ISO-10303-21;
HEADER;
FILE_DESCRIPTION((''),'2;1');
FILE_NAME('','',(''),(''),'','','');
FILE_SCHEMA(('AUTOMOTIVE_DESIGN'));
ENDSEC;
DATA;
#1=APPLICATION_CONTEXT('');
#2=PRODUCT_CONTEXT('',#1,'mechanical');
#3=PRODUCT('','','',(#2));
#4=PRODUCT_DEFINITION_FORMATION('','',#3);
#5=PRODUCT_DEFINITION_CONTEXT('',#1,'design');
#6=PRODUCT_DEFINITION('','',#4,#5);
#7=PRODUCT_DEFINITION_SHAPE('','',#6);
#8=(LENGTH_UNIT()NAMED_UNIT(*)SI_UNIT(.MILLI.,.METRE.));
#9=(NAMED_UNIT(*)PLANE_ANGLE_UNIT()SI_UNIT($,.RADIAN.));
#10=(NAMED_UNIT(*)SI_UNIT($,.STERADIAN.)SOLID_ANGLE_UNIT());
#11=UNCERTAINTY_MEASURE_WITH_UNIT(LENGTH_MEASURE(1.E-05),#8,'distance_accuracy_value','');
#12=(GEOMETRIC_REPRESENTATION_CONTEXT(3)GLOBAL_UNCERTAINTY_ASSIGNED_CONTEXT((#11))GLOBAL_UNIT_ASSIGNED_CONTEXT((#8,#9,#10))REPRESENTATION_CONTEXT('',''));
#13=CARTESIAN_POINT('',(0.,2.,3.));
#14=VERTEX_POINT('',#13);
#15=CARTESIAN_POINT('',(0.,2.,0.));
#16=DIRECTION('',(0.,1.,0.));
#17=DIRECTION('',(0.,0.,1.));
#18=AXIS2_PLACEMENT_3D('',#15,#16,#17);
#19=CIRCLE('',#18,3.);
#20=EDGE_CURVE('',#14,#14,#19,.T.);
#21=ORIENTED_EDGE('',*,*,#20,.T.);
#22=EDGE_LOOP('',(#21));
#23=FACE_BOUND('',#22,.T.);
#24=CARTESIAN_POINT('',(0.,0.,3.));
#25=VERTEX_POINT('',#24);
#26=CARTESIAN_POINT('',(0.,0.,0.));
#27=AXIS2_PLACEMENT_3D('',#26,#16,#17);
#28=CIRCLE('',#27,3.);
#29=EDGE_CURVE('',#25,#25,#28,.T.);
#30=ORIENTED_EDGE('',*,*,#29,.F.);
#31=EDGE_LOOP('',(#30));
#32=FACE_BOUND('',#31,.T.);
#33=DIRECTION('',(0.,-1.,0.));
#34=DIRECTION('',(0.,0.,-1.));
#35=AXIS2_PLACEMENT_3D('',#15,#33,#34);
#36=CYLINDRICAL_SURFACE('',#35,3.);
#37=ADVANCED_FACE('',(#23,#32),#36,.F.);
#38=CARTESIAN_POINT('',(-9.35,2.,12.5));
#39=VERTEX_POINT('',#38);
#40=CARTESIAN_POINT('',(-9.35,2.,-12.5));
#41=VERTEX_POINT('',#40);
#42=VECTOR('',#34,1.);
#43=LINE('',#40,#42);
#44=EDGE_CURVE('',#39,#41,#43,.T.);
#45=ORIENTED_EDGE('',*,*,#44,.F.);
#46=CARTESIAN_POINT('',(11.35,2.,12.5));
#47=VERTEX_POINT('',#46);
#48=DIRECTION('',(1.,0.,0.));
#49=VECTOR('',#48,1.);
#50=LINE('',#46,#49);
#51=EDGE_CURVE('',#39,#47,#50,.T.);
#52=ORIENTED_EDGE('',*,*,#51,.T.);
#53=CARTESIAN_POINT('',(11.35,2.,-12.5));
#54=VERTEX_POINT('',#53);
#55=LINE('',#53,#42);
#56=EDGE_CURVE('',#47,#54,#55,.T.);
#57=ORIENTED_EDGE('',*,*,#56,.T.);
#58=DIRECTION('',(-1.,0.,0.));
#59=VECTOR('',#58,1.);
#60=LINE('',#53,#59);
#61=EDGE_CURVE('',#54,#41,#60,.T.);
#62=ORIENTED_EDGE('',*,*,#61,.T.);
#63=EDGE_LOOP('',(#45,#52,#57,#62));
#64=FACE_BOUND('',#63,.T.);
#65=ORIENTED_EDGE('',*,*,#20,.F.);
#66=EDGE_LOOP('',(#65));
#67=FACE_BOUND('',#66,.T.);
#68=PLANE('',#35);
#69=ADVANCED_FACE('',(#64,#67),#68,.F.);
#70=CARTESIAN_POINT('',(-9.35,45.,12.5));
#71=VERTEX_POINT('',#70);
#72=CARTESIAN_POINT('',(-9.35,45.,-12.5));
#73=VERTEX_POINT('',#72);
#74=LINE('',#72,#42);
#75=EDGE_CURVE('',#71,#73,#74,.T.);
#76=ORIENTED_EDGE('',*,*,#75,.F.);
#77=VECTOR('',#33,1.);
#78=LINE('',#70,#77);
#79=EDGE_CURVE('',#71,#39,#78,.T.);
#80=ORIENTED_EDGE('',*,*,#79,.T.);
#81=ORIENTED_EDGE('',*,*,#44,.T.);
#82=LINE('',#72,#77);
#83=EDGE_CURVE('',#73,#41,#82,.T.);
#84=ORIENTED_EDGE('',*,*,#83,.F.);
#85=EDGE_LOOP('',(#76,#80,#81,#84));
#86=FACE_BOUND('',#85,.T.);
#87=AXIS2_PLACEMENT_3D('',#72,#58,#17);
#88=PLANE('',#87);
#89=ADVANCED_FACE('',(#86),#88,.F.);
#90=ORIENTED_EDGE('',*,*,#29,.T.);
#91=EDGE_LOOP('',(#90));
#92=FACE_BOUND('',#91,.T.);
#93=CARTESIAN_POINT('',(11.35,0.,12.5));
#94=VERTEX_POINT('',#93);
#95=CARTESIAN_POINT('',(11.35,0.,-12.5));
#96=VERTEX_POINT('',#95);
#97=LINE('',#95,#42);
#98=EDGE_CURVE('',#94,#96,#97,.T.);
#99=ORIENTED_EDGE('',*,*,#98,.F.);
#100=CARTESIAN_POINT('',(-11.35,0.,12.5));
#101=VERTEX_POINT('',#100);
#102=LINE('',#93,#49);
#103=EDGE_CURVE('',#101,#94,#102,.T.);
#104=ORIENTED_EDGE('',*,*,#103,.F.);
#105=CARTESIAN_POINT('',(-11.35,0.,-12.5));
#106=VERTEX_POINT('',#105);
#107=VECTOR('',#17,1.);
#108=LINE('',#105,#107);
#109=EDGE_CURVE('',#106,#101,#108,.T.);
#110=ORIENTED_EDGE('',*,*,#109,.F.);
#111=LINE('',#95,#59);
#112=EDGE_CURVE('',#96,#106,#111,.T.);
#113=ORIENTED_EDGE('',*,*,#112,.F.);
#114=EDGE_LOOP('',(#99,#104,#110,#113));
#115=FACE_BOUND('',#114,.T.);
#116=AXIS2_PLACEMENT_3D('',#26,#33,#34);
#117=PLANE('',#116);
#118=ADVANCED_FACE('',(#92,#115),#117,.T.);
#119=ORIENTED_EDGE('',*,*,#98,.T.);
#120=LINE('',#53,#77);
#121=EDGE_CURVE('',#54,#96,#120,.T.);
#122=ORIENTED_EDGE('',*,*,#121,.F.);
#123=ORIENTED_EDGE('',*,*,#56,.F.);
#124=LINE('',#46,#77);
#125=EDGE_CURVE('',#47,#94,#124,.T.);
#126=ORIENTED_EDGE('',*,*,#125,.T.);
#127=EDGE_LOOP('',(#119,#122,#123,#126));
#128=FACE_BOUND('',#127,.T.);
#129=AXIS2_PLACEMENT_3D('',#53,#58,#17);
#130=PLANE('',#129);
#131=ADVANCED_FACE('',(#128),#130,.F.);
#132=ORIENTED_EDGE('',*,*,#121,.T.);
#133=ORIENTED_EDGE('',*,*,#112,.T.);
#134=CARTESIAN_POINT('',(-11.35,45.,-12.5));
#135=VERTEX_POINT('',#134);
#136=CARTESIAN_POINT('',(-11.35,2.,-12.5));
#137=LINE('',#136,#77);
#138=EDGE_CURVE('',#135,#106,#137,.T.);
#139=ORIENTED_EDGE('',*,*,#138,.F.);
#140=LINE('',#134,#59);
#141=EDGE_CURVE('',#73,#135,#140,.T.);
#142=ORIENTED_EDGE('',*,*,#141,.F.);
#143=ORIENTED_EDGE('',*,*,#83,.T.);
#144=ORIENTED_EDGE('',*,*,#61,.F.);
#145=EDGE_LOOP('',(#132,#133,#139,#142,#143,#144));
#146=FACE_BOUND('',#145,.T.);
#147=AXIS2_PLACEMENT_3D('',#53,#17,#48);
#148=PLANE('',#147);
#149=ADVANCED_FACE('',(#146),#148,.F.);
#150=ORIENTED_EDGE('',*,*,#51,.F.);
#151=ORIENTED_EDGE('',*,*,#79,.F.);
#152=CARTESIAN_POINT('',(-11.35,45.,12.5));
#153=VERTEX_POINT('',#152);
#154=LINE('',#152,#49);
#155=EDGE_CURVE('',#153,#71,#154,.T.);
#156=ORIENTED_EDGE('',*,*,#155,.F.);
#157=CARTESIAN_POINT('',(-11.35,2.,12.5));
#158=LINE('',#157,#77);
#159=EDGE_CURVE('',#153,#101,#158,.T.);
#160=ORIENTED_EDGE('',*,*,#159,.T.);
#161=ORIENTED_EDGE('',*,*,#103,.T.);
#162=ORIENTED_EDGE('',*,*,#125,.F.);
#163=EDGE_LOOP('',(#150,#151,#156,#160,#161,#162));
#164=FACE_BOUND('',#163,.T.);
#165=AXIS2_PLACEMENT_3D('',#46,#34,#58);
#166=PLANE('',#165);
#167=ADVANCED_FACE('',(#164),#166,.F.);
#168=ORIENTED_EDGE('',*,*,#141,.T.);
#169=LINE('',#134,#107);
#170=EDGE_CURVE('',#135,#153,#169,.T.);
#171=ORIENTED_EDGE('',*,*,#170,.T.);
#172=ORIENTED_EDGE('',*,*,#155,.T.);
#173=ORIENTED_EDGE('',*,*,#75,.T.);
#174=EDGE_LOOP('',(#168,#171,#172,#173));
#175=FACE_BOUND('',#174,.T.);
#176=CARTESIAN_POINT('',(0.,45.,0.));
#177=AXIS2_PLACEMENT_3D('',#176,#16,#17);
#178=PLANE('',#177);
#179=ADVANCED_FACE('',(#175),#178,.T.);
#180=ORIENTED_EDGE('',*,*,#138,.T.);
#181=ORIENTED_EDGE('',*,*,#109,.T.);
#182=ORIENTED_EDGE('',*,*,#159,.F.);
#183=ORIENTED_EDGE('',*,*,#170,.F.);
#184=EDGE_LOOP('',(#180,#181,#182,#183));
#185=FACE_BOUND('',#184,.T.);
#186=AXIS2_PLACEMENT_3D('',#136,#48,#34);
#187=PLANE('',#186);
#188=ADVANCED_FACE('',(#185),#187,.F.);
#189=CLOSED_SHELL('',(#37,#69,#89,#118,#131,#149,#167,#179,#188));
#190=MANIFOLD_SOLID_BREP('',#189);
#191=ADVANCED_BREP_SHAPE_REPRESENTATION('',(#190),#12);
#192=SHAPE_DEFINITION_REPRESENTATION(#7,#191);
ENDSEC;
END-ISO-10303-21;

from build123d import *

# Parameters (mm, degrees)
SKETCH_1_W      = 22.7
SKETCH_1_H      = 25
SKETCH_1_R      = 3
EXTRUDE_1_DEPTH = 2
SKETCH_2_W      = 2
SKETCH_2_H      = 25
EXTRUDE_2_DEPTH = 43


with BuildPart() as part:
    # ｽｹｯﾁ1 → ﾎﾞｽ - 押し出し1 (new body)
    with BuildSketch(Plane(origin=(0, 0, 0), x_dir=(1, 0, 0), z_dir=(0, 1, 0))):
        Rectangle(SKETCH_1_W, SKETCH_1_H)
        with Locations(Location((0, 0, 0), (0, 0, 270))):
            Circle(SKETCH_1_R, mode=Mode.SUBTRACT)
    extrude(amount=EXTRUDE_1_DEPTH)

    # ｽｹｯﾁ2 → ﾎﾞｽ - 押し出し2 (add)
    with BuildSketch(Plane(origin=(0, 2, 0), x_dir=(1, 0, 0), z_dir=(0, 1, 0))):
        with Locations((-10.35, 0)):
            Rectangle(SKETCH_2_W, SKETCH_2_H)
    extrude(amount=EXTRUDE_2_DEPTH)


solid = part.part
